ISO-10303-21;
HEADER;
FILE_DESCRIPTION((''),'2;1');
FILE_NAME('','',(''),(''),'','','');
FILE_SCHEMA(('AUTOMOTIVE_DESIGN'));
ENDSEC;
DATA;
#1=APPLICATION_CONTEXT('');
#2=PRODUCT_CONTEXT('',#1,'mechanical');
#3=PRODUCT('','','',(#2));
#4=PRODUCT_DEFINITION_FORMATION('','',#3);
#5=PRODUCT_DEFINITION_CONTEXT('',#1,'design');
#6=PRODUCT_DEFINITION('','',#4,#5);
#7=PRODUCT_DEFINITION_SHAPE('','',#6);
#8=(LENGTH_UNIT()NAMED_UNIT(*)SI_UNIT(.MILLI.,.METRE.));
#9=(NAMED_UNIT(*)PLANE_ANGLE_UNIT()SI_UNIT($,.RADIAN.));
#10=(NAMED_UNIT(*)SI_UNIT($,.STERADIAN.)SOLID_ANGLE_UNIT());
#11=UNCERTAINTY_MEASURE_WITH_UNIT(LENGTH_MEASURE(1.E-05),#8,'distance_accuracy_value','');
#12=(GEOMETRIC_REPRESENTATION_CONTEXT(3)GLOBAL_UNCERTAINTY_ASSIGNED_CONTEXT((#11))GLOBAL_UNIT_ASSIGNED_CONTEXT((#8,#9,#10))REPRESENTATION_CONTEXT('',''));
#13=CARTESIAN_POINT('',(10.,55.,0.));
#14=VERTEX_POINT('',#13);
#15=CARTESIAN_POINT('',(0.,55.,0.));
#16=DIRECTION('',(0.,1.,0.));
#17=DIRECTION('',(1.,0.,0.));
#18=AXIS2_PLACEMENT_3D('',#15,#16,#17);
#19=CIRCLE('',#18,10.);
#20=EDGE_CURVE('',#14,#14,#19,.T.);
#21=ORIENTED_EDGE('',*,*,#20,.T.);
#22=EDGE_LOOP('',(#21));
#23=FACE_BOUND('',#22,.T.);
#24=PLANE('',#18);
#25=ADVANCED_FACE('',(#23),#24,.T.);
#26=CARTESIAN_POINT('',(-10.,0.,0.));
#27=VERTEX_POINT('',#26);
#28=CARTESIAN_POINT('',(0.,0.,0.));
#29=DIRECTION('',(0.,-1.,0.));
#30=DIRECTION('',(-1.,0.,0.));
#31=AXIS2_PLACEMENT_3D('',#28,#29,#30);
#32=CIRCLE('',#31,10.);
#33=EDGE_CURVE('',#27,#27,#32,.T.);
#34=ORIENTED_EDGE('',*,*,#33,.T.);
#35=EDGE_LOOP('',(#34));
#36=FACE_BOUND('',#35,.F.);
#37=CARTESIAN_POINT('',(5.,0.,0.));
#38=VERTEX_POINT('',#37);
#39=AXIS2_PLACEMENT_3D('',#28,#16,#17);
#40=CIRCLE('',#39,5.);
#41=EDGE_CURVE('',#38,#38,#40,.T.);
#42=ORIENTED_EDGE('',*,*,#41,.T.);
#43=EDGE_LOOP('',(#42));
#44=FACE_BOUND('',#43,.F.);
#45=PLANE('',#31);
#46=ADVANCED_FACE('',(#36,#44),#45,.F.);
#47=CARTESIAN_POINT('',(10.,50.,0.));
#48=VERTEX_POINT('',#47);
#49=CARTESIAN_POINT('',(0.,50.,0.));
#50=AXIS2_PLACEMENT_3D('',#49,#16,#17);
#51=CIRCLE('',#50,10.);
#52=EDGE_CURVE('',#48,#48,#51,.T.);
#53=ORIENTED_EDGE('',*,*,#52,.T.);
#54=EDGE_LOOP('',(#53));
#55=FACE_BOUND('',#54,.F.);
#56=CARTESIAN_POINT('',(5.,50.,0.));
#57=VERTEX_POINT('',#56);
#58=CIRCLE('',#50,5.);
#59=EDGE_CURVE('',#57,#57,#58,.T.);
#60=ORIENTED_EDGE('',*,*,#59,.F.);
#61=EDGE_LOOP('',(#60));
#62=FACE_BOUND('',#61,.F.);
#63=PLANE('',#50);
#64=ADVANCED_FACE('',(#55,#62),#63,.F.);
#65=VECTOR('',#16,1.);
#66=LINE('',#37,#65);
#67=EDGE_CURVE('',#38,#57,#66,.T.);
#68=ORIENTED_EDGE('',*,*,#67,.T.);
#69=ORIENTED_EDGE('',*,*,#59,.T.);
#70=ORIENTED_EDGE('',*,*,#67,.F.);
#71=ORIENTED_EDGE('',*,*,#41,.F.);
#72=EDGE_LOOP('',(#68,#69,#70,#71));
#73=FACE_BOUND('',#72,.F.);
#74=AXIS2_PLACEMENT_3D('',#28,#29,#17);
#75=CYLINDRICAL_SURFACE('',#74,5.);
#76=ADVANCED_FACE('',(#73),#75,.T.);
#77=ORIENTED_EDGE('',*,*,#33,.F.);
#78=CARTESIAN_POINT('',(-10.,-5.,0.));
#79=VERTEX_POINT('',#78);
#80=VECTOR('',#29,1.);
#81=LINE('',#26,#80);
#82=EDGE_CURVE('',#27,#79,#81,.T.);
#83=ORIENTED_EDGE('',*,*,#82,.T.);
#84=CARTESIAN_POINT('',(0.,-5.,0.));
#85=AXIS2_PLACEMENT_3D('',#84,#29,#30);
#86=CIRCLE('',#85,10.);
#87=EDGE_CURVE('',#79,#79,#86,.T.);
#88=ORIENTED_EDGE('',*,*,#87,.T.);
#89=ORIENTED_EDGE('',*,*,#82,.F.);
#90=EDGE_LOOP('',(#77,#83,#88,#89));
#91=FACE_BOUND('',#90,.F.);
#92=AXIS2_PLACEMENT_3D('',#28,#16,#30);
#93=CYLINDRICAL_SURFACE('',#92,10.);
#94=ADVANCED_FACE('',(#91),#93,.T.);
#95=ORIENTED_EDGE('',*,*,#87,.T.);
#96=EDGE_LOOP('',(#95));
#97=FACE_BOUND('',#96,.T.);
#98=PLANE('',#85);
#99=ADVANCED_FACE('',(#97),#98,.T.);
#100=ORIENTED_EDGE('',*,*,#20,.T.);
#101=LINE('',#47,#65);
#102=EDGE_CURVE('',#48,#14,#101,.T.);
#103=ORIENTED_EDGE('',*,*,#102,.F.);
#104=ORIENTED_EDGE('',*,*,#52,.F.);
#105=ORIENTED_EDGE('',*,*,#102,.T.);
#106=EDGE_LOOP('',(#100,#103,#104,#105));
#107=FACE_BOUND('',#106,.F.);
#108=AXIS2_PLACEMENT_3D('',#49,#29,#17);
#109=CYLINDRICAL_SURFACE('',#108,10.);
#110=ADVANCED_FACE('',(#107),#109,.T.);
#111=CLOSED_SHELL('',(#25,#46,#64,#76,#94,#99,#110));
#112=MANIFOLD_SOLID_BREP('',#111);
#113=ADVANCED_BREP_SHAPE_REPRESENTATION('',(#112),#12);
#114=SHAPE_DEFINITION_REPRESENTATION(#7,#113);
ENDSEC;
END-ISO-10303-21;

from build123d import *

# Parameters (mm, degrees)
SKETCH1_R           = 5
BOSS_EXTRUDE2_DEPTH = 50
SKETCH2_R           = 10
BOSS_EXTRUDE3_DEPTH = 5
SKETCH3_R           = 10
BOSS_EXTRUDE4_DEPTH = 5


with BuildPart() as part:
    # Sketch1 → Boss-Extrude2 (new body)
    with BuildSketch(Plane(origin=(0, 0, 0), x_dir=(1, 0, 0), z_dir=(0, 1, 0))):
        Circle(SKETCH1_R)
    extrude(amount=BOSS_EXTRUDE2_DEPTH)

    # Sketch2 → Boss-Extrude3 (add)
    with BuildSketch(Plane(origin=(0, 50, 0), x_dir=(1, 0, 0), z_dir=(0, 1, 0))):
        Circle(SKETCH2_R)
    extrude(amount=BOSS_EXTRUDE3_DEPTH)

    # Sketch3 → Boss-Extrude4 (add)
    with BuildSketch(Plane(origin=(0, 0, 0), x_dir=(-1, 0, 0), z_dir=(0, -1, 0))):
        Circle(SKETCH3_R)
    extrude(amount=BOSS_EXTRUDE4_DEPTH)


solid = part.part
